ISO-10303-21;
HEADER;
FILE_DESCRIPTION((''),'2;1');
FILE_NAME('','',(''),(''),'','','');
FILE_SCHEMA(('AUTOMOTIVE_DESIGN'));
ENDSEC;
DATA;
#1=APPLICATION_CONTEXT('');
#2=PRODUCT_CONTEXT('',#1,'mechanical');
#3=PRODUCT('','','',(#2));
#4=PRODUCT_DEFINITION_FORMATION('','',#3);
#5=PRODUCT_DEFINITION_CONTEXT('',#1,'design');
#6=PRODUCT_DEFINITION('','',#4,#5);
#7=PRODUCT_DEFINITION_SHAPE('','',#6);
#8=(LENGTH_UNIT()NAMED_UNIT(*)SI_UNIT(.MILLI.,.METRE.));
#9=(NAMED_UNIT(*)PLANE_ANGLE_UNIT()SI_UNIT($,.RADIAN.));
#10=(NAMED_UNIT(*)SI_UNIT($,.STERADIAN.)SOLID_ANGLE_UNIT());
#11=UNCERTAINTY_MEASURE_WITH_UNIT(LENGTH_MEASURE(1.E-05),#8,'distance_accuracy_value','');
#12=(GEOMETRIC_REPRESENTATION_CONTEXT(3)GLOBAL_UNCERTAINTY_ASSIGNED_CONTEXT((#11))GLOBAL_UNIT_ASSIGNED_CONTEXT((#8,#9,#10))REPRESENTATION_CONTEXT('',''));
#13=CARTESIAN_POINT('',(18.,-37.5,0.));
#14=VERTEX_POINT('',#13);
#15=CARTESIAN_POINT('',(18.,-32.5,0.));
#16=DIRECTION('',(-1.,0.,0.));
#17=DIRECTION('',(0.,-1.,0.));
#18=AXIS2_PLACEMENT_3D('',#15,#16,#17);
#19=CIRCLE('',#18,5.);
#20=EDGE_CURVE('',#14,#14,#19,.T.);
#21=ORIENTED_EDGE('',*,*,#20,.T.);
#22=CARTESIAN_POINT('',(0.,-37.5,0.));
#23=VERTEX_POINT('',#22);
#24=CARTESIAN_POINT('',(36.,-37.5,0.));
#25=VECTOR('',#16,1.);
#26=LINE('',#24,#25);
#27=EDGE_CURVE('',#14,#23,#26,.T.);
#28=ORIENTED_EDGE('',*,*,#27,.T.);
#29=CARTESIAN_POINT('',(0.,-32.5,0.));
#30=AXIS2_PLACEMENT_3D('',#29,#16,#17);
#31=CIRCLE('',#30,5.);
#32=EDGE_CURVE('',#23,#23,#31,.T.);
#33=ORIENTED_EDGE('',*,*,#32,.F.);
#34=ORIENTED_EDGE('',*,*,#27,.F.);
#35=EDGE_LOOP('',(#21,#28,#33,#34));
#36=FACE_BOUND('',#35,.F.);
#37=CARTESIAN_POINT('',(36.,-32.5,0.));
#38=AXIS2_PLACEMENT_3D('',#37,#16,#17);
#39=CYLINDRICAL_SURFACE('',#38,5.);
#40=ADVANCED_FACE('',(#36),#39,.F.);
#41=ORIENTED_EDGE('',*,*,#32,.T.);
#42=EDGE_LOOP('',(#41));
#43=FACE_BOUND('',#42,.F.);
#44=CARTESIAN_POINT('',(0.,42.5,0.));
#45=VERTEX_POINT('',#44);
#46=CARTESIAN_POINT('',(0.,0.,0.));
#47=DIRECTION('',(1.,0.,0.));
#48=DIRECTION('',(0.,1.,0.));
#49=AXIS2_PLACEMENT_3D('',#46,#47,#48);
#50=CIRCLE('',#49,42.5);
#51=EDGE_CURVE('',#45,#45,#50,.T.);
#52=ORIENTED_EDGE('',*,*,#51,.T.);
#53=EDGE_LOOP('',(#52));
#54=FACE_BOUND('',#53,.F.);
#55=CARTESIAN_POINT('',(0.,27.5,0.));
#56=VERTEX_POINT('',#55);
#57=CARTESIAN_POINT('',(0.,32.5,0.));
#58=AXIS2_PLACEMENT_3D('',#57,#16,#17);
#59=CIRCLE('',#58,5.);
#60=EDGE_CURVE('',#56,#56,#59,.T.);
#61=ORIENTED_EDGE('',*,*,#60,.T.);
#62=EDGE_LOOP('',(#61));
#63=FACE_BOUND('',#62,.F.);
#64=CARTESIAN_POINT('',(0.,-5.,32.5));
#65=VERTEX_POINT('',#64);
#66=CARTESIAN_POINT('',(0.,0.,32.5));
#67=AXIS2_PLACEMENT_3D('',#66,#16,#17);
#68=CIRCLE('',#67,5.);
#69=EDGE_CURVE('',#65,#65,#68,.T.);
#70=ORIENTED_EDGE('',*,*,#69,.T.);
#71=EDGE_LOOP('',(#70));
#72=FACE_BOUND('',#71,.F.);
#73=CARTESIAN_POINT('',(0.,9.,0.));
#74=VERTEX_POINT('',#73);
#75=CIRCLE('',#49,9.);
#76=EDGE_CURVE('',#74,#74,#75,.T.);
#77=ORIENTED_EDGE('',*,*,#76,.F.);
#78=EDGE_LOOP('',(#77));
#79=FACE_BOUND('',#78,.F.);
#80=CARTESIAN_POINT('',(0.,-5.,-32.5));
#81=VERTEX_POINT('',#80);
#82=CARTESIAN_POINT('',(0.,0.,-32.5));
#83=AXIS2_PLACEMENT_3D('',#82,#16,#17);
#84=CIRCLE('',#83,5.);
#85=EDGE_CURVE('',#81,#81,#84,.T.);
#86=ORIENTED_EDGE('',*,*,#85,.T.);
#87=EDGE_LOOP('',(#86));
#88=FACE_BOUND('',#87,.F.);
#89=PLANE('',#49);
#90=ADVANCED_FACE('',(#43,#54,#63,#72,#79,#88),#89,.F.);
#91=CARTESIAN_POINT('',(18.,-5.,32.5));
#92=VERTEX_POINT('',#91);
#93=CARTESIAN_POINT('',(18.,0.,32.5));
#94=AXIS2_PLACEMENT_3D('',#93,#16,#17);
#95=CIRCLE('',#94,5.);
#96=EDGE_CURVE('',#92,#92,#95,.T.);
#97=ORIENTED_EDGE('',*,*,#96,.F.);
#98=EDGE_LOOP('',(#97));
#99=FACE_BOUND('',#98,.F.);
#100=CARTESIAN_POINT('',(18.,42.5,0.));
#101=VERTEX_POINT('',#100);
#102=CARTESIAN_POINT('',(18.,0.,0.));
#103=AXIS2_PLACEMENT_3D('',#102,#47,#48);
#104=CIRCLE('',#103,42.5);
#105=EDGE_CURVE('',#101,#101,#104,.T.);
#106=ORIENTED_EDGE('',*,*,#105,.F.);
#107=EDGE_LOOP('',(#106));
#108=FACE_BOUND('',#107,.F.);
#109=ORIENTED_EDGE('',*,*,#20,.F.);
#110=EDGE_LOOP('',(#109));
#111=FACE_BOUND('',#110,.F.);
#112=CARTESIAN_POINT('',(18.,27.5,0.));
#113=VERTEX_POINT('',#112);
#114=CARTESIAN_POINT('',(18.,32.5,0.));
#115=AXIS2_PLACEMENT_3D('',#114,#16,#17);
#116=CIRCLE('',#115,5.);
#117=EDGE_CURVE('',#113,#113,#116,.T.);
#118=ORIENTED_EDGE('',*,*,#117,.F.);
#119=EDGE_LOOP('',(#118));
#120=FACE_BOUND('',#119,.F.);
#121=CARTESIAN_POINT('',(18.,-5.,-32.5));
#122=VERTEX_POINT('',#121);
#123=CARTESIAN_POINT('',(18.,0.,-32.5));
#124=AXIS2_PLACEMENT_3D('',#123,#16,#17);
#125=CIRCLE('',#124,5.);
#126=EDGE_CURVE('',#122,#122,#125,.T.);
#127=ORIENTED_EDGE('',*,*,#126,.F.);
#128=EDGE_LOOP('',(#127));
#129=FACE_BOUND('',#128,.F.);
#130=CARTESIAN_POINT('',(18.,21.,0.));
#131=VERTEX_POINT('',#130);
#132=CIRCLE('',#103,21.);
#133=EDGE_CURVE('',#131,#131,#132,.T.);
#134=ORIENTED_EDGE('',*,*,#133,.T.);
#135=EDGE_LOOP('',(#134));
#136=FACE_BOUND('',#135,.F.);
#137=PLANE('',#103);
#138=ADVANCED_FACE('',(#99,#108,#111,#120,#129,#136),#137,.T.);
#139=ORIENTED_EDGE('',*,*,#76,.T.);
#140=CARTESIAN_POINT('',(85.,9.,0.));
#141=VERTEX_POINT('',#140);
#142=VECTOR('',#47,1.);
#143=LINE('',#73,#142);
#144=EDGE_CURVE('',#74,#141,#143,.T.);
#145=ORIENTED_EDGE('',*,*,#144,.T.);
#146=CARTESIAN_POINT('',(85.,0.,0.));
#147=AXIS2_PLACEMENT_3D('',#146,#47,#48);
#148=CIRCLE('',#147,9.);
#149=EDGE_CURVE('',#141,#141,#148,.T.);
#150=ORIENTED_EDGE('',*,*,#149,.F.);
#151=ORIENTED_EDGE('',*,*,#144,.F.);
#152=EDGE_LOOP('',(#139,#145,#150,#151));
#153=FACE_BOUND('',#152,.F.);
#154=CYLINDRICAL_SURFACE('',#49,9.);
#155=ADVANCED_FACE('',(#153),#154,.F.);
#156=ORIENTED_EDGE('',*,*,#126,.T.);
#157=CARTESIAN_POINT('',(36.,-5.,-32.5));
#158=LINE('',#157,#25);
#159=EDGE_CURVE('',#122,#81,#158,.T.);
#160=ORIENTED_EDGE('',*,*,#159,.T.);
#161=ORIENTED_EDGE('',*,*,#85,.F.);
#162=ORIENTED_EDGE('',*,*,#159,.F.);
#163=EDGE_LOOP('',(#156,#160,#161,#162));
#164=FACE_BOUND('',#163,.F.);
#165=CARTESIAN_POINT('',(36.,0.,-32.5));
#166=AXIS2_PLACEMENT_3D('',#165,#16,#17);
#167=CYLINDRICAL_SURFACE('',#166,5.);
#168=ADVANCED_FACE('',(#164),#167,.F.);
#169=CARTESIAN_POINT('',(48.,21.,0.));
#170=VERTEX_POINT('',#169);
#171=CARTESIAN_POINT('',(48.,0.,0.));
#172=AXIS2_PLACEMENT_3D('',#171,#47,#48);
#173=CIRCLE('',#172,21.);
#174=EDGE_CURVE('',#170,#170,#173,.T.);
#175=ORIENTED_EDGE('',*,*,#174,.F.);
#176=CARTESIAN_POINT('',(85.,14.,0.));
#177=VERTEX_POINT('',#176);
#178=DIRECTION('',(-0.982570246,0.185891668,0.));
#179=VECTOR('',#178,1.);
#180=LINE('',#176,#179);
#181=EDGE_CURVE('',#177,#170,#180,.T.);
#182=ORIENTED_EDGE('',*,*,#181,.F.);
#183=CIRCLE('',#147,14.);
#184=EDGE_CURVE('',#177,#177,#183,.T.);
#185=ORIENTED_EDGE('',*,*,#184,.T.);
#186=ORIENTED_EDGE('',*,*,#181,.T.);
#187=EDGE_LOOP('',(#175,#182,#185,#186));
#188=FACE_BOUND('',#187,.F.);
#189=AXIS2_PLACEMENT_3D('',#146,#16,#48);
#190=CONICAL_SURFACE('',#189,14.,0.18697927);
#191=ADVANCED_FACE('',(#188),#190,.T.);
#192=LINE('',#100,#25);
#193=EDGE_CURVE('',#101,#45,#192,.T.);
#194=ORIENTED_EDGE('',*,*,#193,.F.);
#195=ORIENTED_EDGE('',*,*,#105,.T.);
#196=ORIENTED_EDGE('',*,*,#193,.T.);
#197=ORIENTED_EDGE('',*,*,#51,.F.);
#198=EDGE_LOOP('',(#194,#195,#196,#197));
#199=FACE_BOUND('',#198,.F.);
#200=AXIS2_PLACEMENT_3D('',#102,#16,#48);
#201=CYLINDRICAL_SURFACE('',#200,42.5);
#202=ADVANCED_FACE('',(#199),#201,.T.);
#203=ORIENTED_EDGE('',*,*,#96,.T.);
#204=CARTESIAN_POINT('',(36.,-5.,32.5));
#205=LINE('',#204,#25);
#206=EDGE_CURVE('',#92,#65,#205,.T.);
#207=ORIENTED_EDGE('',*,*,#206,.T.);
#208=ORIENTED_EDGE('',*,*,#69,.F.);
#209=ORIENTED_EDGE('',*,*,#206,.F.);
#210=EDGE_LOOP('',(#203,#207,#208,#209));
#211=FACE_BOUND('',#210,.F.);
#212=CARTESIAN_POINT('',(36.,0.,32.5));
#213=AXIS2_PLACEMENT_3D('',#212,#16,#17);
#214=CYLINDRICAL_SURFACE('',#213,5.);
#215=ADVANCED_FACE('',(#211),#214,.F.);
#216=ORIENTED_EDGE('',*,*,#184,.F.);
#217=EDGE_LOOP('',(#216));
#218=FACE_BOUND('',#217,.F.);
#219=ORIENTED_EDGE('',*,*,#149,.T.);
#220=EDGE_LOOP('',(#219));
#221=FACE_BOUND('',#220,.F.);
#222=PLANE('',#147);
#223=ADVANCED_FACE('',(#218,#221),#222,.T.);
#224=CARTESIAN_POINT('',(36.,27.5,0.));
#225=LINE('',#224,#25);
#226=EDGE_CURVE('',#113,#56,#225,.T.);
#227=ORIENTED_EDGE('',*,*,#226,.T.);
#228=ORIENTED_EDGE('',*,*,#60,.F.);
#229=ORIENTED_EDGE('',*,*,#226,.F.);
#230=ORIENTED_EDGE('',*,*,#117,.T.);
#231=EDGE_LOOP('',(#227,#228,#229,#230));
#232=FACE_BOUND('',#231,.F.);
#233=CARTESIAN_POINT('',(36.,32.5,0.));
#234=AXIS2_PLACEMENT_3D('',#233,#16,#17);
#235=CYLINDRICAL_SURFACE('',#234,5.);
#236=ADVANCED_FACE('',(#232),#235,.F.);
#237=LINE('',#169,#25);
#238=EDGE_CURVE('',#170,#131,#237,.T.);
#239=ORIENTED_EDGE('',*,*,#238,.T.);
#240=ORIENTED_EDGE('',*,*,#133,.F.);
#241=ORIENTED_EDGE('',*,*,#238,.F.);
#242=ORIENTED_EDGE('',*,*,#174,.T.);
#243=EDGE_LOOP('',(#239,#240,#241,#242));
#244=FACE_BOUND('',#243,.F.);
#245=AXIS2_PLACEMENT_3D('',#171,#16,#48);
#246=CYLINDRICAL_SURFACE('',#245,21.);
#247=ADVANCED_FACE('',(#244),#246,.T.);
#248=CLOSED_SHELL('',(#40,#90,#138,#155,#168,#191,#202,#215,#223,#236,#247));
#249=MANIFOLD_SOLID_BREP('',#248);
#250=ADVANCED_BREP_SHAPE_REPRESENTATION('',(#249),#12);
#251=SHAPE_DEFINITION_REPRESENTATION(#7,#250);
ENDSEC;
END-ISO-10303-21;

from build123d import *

# Parameters (mm, degrees)
F3_D     = 10
F3_DEPTH = 18


with BuildPart() as f1:
    # F0 (on Top) → F1 (revolve)
    with BuildSketch(Plane.XY):
        Polygon((0, 42.5), (0, 9), (85, 9), (85, 14), (48, 21), (18, 21), (18, 42.5), align=None)
    revolve(axis=Axis((69.263607, 0, 0), (1, 0, 0)))

    # F3
    with Locations(Plane.YZ.offset(18)):
        with Locations((0, 32.5), (-32.5, 0), (0, -32.5), (32.5, 0)):
            Hole(F3_D / 2, depth=F3_DEPTH)


solid = f1.part
